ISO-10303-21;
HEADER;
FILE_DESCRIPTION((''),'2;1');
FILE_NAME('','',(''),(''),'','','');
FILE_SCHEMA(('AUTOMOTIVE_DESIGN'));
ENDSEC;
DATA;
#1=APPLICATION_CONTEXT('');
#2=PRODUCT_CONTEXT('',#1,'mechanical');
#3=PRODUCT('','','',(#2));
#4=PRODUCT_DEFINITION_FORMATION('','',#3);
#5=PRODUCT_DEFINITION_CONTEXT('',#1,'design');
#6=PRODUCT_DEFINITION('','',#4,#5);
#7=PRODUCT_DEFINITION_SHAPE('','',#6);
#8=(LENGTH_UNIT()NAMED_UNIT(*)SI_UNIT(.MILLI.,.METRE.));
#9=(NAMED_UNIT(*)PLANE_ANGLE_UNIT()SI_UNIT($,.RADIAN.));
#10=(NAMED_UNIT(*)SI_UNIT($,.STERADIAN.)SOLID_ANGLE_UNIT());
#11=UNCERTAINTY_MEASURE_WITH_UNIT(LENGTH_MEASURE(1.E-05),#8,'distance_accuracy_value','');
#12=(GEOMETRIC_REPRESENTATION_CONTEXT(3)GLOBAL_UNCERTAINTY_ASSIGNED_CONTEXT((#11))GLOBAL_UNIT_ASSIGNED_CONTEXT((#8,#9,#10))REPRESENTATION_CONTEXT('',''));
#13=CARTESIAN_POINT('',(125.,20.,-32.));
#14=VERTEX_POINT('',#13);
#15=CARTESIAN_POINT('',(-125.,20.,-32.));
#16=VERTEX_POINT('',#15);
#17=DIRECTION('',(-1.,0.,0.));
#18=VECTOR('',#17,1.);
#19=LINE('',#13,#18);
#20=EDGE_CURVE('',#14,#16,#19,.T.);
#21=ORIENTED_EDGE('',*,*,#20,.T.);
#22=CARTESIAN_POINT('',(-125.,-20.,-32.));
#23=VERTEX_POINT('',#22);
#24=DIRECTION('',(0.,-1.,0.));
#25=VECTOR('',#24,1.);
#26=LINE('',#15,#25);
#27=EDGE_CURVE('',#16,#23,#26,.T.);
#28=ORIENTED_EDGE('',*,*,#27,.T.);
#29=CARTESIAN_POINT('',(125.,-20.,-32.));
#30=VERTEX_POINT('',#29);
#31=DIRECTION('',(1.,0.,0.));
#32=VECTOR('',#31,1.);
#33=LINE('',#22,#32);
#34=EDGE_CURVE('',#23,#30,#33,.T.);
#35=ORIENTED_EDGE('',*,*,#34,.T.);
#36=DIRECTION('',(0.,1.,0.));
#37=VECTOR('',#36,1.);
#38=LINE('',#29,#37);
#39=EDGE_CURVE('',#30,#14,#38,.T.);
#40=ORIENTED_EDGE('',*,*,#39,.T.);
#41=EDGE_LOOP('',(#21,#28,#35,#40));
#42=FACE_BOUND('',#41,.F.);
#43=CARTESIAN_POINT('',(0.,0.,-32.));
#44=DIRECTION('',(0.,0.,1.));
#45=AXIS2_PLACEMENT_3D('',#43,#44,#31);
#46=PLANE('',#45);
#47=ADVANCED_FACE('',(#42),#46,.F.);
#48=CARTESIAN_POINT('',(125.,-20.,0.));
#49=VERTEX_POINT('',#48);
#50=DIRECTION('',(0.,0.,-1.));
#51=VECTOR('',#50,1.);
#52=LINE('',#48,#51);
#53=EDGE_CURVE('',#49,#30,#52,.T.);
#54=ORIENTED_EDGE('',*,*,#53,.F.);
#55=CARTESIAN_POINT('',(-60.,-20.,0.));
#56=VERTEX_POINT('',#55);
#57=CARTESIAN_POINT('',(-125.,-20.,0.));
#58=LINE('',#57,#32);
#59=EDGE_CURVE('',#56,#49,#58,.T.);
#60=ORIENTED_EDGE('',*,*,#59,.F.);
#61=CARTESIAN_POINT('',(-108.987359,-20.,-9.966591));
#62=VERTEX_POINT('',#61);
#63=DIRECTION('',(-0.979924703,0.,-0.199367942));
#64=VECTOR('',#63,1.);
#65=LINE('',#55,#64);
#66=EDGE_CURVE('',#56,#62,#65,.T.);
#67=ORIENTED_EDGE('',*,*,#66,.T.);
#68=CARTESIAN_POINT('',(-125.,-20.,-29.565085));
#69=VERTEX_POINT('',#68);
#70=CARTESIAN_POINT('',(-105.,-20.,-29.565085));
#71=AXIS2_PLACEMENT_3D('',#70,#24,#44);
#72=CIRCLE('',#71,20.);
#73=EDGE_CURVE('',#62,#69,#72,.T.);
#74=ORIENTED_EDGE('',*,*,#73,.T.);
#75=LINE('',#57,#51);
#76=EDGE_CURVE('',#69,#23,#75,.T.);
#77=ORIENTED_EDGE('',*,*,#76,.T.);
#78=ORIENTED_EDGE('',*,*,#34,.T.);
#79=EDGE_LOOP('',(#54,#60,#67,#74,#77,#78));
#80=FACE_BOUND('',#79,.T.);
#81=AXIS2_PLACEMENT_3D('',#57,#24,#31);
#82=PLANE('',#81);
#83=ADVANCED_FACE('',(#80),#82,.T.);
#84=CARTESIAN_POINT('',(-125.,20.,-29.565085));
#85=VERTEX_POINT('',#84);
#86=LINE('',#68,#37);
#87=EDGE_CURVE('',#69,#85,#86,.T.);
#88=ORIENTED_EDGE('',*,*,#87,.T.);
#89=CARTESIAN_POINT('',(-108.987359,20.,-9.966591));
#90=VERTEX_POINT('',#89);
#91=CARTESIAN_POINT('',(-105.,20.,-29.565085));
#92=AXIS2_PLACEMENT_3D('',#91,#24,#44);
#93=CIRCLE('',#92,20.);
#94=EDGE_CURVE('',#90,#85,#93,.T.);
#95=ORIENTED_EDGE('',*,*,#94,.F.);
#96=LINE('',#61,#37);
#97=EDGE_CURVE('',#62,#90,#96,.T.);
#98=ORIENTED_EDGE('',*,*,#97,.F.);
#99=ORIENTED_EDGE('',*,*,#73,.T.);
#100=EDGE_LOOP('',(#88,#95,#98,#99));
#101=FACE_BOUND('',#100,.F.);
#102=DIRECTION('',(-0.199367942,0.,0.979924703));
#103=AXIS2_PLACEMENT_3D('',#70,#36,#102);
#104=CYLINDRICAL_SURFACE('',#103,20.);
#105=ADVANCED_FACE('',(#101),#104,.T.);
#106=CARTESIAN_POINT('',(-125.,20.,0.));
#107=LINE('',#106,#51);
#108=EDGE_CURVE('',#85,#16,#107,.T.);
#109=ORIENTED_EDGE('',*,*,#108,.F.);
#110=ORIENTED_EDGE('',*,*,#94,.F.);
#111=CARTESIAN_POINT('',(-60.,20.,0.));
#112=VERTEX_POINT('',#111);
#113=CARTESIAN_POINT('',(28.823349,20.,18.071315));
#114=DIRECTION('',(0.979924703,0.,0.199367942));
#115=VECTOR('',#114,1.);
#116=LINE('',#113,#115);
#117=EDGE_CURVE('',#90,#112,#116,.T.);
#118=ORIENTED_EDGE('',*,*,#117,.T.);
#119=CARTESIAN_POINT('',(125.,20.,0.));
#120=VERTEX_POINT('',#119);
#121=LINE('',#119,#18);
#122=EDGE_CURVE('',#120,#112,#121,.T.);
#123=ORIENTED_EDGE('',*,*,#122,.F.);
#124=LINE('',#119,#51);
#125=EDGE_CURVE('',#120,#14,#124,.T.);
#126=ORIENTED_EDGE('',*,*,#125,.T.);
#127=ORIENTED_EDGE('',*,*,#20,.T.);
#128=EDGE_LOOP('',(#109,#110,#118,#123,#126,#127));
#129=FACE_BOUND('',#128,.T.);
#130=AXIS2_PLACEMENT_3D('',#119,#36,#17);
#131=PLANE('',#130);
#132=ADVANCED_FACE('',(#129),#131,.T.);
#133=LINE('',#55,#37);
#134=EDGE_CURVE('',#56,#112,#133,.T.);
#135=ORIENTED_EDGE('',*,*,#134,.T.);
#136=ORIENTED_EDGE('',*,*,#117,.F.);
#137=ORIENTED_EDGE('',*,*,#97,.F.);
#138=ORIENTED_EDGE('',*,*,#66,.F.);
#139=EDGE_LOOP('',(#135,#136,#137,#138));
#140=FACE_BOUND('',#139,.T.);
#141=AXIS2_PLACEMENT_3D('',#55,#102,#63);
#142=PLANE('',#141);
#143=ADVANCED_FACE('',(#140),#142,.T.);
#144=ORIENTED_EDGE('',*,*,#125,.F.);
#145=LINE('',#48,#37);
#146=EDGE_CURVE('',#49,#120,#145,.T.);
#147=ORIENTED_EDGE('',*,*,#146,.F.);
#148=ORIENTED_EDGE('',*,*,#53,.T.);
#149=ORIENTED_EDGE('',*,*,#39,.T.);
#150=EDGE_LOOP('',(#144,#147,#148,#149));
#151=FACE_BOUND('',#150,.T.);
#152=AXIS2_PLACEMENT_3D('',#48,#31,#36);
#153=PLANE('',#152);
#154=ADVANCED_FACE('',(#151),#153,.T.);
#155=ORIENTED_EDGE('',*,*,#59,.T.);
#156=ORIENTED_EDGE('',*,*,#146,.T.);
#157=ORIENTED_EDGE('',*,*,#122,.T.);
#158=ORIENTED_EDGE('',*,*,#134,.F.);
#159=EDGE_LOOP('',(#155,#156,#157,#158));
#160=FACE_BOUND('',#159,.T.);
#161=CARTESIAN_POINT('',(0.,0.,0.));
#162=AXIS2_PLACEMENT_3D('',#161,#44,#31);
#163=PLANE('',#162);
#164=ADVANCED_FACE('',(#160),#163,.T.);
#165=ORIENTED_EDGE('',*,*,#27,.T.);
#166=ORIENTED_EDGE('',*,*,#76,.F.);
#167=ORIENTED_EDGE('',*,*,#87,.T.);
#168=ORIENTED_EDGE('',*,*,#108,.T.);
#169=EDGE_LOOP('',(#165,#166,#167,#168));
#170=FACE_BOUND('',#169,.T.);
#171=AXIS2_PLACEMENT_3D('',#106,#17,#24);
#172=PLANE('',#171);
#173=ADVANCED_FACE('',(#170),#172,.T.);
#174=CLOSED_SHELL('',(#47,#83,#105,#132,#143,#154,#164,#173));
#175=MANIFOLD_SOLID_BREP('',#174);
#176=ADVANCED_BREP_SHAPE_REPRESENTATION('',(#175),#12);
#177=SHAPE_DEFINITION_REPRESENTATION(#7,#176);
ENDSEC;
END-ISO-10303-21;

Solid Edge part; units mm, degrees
sketch "Sketch1" plane through (0, 0, 0) normal (0, 0, 1) x (1, 0, 0)
  line L0 (-125, -20) -> (125, -20)
  line L1 (125, -20) -> (125, 20)
  line L2 (125, 20) -> (-125, 20)
  line L3 (-125, 20) -> (-125, -20)
extrude "Protrusion1" add sketch "Sketch1" against normal blind 32
sketch "Sketch2" plane through (0, -20, -16) normal (0, -1, 0) x (1, 0, 0)
  line L0 (-125, 16) -> (-60, 16)
  line L1 (-60, 16) -> (-125, 2.7756)
  line L2 (-125, 2.7756) -> (-125, 16)
extrude "ExtrudedCutout_1" cut sketch "Sketch2" against normal blind 180
fillet "Round_1" radius 20 1 edges at (-125, 0, -13.2244)
